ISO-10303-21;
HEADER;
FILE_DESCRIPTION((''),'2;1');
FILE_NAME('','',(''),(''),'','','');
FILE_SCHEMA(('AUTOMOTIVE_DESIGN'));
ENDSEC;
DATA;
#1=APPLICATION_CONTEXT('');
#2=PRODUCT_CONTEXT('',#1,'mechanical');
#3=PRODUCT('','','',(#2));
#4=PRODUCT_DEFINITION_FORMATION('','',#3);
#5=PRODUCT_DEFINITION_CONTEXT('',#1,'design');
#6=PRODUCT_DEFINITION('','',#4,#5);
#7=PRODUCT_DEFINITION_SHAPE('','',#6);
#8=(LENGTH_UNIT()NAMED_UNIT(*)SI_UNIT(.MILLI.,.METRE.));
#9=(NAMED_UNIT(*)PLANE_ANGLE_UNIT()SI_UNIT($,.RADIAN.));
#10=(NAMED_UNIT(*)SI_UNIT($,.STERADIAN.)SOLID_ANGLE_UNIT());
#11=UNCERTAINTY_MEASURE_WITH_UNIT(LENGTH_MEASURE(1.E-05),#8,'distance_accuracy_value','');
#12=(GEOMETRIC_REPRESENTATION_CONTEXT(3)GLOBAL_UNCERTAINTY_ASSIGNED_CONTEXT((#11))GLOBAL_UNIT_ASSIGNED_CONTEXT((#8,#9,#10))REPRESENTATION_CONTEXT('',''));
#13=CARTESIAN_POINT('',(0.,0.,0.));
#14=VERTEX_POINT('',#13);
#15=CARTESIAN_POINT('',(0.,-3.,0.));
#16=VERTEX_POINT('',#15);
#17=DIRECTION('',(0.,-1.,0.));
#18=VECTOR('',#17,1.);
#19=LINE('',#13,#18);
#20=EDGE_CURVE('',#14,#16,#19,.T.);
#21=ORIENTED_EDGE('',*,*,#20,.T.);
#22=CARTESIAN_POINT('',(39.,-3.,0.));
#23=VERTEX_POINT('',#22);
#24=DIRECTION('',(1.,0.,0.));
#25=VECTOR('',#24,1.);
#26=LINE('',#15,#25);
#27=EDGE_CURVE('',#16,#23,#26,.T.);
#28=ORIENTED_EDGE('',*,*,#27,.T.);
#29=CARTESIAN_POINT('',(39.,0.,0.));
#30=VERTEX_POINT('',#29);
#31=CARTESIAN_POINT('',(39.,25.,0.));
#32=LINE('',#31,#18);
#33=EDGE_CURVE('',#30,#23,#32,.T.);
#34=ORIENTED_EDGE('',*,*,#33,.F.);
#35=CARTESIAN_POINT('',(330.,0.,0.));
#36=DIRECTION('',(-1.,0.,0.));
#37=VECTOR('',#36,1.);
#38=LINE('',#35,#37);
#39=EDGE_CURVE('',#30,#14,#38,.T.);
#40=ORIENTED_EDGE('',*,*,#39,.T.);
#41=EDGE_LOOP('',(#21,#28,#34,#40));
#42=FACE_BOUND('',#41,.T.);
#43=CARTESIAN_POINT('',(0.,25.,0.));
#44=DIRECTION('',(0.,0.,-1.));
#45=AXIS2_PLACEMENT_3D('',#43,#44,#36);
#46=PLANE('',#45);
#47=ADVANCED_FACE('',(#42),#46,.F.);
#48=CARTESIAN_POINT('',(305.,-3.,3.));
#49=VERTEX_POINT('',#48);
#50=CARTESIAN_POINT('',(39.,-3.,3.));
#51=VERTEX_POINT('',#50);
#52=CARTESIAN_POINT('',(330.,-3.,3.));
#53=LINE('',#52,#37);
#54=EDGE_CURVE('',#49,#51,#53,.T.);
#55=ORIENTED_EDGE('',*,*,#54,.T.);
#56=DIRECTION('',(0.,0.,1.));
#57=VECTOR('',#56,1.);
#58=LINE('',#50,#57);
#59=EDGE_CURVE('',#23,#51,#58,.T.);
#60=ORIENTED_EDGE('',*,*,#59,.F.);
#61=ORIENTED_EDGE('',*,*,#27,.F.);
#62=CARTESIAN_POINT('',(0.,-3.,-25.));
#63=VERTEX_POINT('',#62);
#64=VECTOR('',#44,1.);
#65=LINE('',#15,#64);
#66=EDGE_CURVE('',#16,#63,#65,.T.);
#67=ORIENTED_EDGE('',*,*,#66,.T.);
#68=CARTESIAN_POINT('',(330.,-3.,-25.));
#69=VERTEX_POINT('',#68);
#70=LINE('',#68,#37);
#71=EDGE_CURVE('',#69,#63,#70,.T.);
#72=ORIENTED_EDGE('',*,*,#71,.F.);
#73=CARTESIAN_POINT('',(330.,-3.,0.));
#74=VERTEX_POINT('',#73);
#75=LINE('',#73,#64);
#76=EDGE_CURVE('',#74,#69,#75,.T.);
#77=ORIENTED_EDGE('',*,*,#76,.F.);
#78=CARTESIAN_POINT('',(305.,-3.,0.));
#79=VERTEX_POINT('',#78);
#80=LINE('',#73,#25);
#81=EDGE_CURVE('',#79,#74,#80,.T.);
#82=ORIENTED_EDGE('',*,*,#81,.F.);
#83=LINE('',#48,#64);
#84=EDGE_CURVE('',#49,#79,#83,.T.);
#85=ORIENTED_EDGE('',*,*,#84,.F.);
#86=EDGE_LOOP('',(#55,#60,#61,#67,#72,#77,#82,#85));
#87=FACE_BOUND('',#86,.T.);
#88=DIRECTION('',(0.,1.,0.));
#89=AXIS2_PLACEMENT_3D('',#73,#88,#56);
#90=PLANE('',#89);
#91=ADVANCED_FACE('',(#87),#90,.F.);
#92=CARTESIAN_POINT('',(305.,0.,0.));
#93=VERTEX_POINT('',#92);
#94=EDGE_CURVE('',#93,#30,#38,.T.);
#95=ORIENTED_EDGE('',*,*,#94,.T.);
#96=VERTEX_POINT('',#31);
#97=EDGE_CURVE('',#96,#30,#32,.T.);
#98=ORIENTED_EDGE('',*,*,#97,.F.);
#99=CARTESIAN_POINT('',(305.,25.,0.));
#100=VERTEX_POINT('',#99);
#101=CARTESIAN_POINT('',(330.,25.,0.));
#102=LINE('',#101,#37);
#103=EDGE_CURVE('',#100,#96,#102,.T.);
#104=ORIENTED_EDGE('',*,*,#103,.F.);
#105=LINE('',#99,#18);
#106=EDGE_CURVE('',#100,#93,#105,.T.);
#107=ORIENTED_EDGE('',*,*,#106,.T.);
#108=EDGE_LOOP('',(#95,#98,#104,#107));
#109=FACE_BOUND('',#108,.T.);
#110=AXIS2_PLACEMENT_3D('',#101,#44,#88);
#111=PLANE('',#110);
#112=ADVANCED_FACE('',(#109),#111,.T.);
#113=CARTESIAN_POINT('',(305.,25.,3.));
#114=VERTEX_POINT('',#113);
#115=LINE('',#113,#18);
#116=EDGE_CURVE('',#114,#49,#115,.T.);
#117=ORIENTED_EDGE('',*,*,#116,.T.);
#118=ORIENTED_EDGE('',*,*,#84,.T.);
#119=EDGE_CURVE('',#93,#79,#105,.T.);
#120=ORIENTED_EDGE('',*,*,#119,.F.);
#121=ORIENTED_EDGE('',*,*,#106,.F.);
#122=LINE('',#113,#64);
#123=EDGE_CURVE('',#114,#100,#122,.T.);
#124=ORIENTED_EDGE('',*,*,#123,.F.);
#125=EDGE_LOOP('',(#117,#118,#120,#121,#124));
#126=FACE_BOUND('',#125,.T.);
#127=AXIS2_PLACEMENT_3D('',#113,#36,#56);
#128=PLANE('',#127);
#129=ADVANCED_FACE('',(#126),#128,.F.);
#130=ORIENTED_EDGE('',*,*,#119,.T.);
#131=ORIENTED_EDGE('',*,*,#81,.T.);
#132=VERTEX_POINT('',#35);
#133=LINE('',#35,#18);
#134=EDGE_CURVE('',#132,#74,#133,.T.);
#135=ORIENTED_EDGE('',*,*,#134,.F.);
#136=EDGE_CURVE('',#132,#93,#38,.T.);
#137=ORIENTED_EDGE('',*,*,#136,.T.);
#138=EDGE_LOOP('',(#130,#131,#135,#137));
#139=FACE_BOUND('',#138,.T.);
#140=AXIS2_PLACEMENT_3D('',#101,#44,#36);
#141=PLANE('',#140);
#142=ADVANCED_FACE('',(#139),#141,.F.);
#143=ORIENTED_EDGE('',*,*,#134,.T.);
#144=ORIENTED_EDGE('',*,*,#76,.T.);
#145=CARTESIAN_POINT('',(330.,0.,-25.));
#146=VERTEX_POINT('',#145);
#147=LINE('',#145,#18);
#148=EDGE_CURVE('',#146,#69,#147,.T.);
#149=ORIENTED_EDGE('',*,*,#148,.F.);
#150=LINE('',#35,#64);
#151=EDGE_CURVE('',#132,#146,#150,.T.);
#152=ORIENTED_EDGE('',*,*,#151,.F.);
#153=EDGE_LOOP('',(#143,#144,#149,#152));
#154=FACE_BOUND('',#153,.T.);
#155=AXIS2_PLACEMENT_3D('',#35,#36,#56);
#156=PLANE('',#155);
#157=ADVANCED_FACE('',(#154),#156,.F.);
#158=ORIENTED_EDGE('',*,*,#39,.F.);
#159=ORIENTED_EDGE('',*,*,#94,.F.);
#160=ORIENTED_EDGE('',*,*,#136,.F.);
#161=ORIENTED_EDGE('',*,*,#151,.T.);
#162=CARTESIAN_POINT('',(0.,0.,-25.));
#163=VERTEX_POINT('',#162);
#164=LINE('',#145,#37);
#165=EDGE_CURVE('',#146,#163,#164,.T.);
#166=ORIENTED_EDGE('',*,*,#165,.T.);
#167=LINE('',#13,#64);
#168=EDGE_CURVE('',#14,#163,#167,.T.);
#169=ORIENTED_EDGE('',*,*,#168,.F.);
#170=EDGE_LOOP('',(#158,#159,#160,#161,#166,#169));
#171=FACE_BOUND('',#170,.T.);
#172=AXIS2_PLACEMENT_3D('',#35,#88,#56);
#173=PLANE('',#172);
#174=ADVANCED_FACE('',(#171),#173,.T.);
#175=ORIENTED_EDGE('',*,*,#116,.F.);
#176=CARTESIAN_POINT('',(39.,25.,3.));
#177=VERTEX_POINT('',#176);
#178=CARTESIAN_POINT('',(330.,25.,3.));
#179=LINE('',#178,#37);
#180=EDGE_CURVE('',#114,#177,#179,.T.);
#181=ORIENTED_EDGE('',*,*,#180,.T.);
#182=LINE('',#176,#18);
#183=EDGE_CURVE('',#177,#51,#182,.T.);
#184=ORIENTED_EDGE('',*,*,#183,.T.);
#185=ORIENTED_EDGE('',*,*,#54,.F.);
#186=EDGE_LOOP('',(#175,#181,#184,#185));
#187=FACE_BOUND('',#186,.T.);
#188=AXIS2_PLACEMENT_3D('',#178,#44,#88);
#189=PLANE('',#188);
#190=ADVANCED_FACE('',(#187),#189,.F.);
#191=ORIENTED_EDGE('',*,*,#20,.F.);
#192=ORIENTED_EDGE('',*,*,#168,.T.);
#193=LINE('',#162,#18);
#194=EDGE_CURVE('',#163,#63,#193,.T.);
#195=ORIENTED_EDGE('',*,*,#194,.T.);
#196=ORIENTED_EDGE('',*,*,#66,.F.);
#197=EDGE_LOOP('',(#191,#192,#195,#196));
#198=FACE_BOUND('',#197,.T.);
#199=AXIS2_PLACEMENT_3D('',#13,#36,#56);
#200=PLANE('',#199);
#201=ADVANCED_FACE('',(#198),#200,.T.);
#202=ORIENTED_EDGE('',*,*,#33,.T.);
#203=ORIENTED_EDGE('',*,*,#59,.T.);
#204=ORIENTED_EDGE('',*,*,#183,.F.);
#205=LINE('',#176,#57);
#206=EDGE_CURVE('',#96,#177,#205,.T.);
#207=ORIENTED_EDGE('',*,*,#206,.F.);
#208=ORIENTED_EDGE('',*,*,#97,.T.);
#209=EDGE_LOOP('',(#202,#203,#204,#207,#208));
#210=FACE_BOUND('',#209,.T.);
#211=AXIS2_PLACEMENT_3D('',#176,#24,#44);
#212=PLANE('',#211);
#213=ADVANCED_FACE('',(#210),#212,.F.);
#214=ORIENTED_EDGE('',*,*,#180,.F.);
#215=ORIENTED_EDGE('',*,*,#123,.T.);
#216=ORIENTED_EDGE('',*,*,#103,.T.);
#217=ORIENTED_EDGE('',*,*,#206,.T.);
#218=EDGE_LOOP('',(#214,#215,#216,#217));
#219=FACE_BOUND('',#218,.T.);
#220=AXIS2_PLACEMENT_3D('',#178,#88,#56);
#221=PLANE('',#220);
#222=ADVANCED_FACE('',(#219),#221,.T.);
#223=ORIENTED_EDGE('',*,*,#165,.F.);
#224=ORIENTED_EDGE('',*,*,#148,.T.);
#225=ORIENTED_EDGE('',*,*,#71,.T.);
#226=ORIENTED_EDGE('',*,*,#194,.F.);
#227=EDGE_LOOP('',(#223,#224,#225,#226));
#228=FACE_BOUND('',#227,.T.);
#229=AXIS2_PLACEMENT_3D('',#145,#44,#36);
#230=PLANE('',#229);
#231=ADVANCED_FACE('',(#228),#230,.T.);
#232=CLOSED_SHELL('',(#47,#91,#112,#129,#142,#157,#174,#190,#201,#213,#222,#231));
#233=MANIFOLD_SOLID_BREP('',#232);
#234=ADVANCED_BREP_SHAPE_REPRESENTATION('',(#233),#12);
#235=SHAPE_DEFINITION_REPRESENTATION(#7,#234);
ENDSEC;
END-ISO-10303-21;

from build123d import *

# Parameters (mm, degrees)
EXTRUDE_1_DEPTH     = 330
SKETCH_2_W          = 39
SKETCH_2_H          = 3
SKETCH_2_W_2        = 25
CUT_EXTRUDE_1_DEPTH = 29


with BuildPart() as part:
    # Эскиз1 → Вытянуть-Тонкостенный1 (new body)
    with BuildSketch(Plane(origin=(0, 0, 0), x_dir=(0, 0, -1), z_dir=(1, 0, 0))):
        Polygon((0, 25), (0, 0), (25, 0), (25, -3), (-3, -3), (-3, 25), align=None)
    extrude(amount=EXTRUDE_1_DEPTH)

    # Эскиз2 → Вырез-Вытянуть1 (cut, through all)
    with BuildSketch(Plane.XZ.offset(3)):
        with Locations((19.5, 1.5)):
            Rectangle(SKETCH_2_W, SKETCH_2_H)
        with Locations((317.5, 1.5)):
            Rectangle(SKETCH_2_W_2, SKETCH_2_H)
    extrude(amount=-CUT_EXTRUDE_1_DEPTH, mode=Mode.SUBTRACT)


solid = part.part
